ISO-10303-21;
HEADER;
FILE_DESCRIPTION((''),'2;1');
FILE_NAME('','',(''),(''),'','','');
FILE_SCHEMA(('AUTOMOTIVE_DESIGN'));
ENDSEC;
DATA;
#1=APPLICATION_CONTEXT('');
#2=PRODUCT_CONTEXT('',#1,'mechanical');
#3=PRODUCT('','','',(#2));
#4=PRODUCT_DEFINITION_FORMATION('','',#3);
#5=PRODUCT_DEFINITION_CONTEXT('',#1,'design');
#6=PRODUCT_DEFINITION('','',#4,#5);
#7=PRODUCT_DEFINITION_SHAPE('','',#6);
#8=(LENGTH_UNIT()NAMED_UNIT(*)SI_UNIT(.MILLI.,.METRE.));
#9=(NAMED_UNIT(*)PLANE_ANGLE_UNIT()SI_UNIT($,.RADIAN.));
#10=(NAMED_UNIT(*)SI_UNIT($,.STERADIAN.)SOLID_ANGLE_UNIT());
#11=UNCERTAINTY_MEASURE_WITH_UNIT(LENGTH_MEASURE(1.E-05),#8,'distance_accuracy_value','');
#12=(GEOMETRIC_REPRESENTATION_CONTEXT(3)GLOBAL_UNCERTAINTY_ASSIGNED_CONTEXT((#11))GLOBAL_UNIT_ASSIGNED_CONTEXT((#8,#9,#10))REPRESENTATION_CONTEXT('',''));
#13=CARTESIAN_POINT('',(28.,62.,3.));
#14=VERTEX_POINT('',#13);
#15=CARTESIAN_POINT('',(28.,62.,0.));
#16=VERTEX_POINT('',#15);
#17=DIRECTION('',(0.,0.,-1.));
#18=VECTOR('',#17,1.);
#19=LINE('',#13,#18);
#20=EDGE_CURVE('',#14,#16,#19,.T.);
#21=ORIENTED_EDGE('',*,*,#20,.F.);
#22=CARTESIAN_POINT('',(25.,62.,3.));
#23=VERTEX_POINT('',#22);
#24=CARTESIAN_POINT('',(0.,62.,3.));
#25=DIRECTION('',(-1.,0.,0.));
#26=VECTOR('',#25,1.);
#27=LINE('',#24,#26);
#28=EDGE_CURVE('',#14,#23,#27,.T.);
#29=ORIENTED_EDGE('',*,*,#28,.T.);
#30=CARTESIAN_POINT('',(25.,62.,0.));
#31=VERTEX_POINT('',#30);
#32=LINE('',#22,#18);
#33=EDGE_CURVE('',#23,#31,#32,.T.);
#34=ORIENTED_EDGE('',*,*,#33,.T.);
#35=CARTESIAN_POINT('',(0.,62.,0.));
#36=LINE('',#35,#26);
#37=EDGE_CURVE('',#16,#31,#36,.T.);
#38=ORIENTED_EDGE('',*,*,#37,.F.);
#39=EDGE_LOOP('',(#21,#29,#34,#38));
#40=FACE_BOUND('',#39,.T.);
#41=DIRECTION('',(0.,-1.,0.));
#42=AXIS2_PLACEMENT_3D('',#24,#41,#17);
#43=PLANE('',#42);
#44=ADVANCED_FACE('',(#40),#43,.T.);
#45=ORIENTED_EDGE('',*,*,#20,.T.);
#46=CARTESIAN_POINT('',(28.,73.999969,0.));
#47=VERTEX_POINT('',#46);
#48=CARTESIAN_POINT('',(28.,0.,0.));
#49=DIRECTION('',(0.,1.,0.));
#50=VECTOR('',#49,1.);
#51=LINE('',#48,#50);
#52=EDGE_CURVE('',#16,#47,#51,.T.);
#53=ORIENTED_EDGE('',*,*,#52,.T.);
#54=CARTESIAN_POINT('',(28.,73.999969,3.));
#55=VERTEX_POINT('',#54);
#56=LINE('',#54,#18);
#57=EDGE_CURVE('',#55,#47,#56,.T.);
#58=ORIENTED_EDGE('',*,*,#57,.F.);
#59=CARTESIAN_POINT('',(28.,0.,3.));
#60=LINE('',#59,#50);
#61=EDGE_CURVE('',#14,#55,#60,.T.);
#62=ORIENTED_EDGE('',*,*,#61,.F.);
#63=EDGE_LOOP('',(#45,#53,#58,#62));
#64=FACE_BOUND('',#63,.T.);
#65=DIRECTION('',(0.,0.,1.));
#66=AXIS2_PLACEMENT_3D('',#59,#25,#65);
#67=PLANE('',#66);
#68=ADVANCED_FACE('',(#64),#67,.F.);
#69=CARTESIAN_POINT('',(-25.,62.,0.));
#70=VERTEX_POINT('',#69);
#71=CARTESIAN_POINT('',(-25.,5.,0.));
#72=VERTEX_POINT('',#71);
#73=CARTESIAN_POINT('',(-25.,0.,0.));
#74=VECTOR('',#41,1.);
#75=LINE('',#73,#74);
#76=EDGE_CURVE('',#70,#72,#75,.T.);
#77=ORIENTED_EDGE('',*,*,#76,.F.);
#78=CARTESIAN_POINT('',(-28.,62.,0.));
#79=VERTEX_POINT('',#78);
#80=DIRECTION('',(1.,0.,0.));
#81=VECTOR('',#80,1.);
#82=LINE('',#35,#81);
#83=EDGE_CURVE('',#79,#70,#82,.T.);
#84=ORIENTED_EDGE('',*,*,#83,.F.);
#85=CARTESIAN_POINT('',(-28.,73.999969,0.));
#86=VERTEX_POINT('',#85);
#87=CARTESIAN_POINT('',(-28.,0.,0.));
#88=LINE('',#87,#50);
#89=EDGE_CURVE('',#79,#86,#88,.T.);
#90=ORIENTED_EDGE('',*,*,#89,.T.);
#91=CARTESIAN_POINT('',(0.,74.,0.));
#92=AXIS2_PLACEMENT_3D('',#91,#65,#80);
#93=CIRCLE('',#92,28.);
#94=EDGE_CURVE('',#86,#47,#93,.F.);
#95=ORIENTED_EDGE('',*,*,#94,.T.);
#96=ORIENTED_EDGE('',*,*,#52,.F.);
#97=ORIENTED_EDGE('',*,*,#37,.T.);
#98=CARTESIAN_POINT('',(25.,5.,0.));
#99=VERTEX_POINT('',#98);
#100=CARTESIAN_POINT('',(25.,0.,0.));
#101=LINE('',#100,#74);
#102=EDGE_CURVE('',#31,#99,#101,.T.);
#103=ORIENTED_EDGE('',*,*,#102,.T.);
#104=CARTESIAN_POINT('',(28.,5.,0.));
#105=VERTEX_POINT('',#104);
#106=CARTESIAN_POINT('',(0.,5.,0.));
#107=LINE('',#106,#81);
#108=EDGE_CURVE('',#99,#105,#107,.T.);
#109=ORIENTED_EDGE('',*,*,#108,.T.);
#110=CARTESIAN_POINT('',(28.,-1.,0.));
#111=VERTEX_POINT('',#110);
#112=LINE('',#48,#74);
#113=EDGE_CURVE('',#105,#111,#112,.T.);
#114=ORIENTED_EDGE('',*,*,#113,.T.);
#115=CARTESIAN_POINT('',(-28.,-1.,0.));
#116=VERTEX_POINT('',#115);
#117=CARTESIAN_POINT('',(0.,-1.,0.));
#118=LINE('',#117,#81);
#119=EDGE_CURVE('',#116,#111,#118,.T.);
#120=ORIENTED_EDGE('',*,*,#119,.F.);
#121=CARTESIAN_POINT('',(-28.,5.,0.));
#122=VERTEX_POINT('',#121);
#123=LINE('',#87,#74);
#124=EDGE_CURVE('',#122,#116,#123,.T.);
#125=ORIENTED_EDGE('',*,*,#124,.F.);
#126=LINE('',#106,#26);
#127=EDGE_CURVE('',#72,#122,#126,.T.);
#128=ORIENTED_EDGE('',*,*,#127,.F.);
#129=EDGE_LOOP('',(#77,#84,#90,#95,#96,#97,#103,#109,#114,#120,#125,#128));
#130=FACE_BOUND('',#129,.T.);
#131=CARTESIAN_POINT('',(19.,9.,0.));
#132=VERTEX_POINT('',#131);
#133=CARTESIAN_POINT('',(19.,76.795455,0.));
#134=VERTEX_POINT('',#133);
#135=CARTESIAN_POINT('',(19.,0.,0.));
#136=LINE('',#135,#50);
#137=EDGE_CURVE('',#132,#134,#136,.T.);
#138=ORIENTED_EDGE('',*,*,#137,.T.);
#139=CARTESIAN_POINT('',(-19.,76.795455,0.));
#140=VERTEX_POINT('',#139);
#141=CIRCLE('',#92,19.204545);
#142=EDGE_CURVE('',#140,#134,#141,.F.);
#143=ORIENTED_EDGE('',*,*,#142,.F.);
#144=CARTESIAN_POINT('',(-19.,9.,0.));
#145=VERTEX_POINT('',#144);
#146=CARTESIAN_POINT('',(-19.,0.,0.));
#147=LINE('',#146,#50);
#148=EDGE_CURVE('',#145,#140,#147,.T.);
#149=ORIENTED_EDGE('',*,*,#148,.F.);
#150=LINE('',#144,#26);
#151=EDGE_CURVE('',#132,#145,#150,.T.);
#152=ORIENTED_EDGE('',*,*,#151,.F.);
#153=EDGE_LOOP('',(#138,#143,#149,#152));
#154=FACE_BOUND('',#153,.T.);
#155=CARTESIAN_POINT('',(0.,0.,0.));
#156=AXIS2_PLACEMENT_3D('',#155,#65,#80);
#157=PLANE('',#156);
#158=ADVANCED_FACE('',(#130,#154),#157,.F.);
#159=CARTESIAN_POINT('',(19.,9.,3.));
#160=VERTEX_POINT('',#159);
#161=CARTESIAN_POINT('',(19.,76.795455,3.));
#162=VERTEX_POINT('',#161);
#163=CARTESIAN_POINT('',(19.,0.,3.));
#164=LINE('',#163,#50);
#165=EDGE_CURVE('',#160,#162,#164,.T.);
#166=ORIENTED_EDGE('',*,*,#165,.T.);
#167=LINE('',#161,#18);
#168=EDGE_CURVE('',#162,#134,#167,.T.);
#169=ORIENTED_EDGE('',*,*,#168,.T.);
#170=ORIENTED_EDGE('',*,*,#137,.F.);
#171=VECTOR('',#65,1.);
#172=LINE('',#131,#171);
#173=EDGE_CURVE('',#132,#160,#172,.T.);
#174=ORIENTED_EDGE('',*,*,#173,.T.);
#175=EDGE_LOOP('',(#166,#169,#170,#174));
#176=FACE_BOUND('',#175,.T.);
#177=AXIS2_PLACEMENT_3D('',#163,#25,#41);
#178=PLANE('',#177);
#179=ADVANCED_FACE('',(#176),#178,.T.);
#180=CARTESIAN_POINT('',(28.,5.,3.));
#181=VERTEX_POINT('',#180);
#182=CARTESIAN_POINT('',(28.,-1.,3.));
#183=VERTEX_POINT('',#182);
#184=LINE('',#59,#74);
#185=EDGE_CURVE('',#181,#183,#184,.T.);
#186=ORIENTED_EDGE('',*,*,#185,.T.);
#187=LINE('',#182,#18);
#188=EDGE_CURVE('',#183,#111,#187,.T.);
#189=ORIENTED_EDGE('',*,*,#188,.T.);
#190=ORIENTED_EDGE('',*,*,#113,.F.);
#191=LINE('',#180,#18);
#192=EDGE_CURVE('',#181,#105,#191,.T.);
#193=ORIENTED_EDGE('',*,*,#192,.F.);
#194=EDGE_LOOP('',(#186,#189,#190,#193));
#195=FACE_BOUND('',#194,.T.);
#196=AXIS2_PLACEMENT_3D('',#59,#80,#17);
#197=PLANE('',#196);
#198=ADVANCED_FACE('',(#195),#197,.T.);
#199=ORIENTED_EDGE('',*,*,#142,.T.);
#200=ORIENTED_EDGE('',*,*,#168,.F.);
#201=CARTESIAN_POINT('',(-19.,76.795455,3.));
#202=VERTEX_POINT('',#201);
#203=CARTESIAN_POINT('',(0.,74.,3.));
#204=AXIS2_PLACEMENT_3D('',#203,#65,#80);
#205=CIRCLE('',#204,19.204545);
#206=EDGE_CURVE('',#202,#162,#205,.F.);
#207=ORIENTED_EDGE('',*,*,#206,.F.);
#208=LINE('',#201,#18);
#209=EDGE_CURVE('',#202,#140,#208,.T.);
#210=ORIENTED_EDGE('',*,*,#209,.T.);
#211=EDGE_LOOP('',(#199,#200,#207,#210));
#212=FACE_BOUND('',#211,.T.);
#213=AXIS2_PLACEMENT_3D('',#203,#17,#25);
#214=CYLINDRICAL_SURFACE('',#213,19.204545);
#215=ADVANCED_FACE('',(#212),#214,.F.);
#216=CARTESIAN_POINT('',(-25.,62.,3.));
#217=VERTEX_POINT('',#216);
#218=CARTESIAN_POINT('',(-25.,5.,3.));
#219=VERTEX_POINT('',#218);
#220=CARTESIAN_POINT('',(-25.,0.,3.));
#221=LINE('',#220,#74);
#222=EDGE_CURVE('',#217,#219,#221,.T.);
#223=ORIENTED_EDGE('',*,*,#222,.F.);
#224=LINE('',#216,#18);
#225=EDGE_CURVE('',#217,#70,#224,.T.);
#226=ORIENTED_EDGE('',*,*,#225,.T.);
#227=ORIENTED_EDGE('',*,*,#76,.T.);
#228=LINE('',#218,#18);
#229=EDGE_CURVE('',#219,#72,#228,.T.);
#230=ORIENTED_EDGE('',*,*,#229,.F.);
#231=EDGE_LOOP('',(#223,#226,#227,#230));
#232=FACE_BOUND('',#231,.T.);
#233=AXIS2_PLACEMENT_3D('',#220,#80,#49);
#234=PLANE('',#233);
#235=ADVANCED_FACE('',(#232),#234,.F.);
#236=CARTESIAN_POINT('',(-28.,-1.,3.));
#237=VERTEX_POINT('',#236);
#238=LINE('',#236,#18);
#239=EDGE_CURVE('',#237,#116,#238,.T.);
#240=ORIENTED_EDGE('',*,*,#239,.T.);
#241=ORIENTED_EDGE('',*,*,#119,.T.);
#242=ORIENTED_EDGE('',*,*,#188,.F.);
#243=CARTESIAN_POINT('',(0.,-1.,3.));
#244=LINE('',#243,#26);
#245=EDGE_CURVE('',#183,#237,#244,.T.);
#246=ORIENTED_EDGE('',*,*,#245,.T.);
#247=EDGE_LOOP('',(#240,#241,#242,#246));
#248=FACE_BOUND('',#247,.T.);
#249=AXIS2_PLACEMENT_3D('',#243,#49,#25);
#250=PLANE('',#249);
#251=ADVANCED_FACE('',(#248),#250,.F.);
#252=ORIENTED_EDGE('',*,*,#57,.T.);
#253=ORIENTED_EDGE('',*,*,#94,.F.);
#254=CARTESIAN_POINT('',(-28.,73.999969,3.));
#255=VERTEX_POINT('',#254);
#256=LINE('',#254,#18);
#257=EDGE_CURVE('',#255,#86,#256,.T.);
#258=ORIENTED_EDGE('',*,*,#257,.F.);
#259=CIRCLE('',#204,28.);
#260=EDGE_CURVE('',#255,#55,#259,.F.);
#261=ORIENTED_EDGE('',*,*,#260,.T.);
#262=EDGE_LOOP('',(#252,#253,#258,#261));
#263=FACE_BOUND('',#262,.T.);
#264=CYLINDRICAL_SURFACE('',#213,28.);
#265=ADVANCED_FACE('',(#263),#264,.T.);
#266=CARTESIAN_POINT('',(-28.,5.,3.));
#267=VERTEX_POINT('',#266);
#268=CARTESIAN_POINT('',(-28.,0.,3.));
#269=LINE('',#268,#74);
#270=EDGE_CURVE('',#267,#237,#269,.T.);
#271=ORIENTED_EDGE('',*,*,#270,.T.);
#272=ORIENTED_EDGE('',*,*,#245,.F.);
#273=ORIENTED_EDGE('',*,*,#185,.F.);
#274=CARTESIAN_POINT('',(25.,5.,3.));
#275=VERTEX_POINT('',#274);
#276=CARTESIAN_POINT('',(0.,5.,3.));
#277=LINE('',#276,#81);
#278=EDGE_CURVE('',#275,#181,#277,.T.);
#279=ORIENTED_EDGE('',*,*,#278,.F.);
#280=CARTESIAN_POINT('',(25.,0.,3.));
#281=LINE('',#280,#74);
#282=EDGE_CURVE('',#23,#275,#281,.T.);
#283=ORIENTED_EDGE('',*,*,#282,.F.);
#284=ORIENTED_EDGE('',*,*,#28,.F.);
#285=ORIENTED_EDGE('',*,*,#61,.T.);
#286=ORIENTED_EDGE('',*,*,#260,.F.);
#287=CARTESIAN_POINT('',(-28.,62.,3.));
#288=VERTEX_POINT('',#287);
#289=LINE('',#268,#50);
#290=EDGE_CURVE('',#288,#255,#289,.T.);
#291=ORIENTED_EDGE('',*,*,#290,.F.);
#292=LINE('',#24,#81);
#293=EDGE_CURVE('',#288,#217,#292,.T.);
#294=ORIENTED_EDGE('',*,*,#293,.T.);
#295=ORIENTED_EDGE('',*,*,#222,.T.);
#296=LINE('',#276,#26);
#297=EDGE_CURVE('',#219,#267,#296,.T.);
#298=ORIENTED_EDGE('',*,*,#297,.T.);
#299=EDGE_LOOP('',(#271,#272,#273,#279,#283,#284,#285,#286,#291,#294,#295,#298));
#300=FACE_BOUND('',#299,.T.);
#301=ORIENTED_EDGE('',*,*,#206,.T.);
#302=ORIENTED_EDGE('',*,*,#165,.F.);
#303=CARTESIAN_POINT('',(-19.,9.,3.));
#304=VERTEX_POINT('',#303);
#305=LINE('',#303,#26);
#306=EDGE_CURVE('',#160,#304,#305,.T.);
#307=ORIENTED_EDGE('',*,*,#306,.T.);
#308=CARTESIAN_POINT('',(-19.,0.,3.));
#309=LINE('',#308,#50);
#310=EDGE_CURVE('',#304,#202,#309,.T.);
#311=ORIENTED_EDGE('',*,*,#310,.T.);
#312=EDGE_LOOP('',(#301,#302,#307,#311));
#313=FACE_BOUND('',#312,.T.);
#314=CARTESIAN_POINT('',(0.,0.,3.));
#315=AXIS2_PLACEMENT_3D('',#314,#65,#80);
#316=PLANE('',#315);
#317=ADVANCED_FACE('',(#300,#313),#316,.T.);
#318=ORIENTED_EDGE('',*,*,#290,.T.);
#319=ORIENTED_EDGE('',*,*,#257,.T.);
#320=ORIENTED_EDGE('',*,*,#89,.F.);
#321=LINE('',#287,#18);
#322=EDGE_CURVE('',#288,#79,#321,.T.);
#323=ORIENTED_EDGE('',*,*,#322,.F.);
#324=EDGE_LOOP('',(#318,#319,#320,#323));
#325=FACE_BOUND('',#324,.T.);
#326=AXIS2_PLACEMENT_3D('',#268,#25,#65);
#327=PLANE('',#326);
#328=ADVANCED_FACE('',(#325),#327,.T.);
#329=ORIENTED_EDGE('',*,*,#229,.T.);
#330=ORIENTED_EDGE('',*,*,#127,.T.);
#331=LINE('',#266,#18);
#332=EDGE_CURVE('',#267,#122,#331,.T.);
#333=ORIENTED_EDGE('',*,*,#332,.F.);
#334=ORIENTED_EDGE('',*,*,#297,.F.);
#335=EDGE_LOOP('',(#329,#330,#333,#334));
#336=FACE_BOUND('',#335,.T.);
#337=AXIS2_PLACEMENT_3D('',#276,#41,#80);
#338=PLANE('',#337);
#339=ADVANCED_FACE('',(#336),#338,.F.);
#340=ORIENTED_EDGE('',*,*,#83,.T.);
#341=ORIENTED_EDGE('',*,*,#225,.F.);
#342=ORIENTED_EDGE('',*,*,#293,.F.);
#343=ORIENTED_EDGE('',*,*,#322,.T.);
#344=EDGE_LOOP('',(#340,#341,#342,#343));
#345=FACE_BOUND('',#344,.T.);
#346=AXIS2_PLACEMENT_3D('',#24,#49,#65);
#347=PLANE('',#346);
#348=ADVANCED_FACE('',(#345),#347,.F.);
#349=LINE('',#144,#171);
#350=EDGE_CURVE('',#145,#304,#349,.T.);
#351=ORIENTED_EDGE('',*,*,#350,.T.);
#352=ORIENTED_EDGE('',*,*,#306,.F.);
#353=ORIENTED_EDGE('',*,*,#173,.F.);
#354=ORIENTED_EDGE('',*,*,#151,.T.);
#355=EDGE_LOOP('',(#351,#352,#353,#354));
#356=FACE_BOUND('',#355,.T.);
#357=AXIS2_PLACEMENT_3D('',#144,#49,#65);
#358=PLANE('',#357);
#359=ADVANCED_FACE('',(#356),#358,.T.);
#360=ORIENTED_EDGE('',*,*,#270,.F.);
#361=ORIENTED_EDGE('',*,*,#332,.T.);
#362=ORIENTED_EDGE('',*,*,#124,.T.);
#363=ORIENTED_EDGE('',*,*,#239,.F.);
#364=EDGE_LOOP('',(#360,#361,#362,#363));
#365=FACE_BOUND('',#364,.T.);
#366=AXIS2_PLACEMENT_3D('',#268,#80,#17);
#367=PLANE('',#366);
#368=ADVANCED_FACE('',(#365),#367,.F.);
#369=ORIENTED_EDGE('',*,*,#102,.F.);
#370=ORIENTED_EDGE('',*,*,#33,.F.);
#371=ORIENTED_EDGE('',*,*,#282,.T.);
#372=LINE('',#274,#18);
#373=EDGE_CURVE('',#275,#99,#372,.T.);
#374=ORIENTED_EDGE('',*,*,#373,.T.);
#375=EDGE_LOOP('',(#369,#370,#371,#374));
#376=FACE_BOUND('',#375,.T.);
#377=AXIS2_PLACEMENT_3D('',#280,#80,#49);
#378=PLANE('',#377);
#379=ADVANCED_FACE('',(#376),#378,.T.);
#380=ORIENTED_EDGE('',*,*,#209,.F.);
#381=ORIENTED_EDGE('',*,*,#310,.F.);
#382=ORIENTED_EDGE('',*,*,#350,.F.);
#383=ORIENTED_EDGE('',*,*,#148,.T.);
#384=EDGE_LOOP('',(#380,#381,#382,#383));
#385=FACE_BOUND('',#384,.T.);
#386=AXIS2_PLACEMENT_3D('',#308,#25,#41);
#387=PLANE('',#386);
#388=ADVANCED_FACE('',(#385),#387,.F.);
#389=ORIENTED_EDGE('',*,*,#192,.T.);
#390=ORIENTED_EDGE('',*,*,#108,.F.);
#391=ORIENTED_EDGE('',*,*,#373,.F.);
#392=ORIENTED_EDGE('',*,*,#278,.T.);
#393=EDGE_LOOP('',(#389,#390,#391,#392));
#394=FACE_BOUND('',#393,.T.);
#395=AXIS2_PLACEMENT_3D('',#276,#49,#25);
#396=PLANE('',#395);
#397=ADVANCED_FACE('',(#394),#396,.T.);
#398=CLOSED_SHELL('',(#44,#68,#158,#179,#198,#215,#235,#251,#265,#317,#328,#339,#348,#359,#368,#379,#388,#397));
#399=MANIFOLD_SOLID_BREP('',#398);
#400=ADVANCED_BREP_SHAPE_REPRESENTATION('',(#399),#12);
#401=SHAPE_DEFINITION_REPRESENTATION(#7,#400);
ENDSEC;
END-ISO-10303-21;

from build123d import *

# Parameters (mm, degrees)
BOSS_EXTRUDE1_DEPTH = 3
SKETCH2_W           = 38
SKETCH2_H           = 10
BOSS_EXTRUDE2_DEPTH = 3


with BuildPart() as part:
    # Sketch1 → Boss-Extrude1 (new body)
    with BuildSketch(Plane.XY):
        with BuildLine():
            ThreePointArc((-19, 76.795454546), (-12.552472511, 88.534441856), (0, 93.204545458))
            Line((0, 93.204545458), (0, 102))
            ThreePointArc((0, 102.000000004), (-19.799000732, 93.798979019), (-28, 73.999969292))
            Line((-28, 73.999969292), (-28, 68))
            Line((-28, 68), (-19, 68))
            Line((-19, 68), (-19, 76.795454546))
        make_face()
        with BuildLine():
            Line((0, 102), (0, 93.204545458))
            ThreePointArc((0, 93.204545458), (12.552472511, 88.534441856), (19, 76.795454546))
            Line((19, 76.795454546), (19, 68))
            Line((19, 68), (28, 68))
            Line((28, 68), (28, 73.999969292))
            ThreePointArc((28, 73.999969292), (19.799000732, 93.798979019), (0, 102.000000004))
        make_face()
        Polygon((-19, -1), (-19, 5), (-19, 68), (-28, 68), (-28, 62), (-25, 62), (-25, 5), (-28, 5), (-28, -1), align=None)
        Polygon((19, 68), (19, 5), (19, -1), (28, -1), (28, 5), (25, 5), (25, 62), (28, 62), (28, 68), align=None)
    extrude(amount=BOSS_EXTRUDE1_DEPTH)

    # Sketch2 → Boss-Extrude2 (add)
    with BuildSketch(Plane.XY.offset(3)):
        with Locations((0, 4)):
            Rectangle(SKETCH2_W, SKETCH2_H)
    extrude(amount=-BOSS_EXTRUDE2_DEPTH)


solid = part.part
